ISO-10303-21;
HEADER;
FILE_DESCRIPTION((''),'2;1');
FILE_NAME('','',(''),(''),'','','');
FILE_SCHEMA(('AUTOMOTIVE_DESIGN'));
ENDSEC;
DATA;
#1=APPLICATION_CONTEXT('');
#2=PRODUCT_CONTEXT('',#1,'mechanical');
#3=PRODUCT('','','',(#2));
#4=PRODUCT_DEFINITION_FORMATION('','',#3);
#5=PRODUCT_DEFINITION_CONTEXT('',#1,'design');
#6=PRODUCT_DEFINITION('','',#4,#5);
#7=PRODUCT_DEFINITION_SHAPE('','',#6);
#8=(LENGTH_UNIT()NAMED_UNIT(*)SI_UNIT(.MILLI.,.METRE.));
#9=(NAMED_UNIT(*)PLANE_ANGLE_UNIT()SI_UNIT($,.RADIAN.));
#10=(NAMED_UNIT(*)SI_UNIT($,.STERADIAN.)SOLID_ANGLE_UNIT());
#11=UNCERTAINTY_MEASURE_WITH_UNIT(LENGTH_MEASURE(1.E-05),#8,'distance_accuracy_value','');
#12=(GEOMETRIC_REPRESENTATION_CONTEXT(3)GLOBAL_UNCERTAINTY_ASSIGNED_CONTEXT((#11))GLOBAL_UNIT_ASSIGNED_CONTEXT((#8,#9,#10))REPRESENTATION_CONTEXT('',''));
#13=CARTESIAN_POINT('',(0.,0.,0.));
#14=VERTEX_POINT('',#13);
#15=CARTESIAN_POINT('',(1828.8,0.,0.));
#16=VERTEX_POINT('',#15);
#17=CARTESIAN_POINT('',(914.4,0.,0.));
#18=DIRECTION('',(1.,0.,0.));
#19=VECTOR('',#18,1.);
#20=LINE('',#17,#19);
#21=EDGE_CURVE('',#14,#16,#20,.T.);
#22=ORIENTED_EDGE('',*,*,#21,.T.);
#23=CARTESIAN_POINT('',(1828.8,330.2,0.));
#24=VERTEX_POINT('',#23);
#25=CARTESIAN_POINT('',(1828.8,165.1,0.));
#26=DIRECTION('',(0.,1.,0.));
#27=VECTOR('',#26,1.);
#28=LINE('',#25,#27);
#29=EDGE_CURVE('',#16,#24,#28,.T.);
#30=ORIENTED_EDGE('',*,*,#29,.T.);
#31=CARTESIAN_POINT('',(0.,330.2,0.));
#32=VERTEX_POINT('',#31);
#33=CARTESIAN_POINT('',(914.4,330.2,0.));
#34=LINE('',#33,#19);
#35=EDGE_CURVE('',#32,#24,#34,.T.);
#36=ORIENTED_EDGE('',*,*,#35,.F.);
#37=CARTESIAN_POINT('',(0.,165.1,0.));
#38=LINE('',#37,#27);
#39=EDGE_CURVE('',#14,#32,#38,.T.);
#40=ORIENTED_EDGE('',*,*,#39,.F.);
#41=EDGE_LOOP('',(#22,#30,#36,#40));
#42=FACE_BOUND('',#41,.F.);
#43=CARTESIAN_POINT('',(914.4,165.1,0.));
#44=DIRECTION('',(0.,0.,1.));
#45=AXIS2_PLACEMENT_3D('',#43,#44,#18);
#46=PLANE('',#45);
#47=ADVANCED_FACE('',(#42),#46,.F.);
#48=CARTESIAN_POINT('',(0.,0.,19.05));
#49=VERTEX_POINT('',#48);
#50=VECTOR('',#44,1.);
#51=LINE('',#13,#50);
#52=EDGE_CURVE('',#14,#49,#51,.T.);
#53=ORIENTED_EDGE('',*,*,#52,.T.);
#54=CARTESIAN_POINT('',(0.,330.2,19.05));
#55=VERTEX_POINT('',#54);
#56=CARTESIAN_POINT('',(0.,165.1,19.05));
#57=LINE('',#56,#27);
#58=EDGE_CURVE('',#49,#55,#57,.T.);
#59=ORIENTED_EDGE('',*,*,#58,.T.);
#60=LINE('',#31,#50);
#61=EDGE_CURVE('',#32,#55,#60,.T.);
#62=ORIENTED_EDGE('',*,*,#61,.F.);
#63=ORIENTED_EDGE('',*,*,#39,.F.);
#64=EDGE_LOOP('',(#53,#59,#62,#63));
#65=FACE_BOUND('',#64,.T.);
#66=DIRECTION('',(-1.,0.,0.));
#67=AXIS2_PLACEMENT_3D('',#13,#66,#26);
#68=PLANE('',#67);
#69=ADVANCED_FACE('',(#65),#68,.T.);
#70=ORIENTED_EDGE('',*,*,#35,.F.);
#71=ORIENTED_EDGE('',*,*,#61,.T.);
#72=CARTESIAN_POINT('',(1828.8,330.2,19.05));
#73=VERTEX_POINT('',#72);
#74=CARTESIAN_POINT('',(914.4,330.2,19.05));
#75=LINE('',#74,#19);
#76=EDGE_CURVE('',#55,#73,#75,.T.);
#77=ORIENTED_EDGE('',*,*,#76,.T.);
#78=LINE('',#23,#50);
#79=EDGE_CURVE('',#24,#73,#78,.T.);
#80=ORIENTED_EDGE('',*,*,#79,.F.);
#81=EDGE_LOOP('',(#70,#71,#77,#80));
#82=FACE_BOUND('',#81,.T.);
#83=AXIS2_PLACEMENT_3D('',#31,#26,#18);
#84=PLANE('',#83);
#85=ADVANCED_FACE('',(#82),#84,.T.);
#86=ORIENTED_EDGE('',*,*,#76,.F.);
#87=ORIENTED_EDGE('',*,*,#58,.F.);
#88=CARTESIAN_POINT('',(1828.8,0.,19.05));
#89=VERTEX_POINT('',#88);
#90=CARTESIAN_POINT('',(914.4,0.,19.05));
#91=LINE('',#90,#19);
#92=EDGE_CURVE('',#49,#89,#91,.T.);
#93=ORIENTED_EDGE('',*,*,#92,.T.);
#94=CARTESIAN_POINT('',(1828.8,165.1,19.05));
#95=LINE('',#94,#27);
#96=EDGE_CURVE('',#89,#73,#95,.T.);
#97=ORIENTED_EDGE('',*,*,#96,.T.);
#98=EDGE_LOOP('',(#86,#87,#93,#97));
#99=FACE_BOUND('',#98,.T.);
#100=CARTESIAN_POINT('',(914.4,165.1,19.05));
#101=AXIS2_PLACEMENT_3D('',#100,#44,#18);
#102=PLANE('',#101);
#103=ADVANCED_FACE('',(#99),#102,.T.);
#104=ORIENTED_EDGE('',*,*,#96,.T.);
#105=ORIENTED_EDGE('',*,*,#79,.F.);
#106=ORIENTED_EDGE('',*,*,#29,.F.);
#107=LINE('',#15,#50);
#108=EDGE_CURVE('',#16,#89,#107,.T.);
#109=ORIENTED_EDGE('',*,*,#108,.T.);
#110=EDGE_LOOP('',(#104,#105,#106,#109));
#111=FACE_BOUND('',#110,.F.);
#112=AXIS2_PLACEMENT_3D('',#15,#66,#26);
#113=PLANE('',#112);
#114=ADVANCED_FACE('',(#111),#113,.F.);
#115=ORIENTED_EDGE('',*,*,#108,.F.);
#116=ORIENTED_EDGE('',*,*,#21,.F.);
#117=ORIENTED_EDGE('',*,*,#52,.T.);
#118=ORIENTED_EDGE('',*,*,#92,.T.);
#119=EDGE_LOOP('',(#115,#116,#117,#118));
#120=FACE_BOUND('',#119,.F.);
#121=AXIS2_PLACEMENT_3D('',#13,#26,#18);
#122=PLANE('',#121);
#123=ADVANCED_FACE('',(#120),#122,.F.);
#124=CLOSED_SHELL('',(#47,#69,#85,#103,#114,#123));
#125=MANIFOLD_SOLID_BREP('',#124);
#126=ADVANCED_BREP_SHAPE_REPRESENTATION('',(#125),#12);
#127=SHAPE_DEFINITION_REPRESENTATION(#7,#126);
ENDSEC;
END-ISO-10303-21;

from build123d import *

# Parameters (mm, degrees)
SKETCH001_W   = 1828.8
SKETCH001_H   = 330.2
EXTRUDE_DEPTH = 19.05


with BuildPart() as part:
    # Sketch001 → Extrude (new body)
    with BuildSketch(Plane.XY):
        with Locations((914.4, 165.1)):
            Rectangle(SKETCH001_W, SKETCH001_H)
    extrude(amount=EXTRUDE_DEPTH)


solid = part.part
